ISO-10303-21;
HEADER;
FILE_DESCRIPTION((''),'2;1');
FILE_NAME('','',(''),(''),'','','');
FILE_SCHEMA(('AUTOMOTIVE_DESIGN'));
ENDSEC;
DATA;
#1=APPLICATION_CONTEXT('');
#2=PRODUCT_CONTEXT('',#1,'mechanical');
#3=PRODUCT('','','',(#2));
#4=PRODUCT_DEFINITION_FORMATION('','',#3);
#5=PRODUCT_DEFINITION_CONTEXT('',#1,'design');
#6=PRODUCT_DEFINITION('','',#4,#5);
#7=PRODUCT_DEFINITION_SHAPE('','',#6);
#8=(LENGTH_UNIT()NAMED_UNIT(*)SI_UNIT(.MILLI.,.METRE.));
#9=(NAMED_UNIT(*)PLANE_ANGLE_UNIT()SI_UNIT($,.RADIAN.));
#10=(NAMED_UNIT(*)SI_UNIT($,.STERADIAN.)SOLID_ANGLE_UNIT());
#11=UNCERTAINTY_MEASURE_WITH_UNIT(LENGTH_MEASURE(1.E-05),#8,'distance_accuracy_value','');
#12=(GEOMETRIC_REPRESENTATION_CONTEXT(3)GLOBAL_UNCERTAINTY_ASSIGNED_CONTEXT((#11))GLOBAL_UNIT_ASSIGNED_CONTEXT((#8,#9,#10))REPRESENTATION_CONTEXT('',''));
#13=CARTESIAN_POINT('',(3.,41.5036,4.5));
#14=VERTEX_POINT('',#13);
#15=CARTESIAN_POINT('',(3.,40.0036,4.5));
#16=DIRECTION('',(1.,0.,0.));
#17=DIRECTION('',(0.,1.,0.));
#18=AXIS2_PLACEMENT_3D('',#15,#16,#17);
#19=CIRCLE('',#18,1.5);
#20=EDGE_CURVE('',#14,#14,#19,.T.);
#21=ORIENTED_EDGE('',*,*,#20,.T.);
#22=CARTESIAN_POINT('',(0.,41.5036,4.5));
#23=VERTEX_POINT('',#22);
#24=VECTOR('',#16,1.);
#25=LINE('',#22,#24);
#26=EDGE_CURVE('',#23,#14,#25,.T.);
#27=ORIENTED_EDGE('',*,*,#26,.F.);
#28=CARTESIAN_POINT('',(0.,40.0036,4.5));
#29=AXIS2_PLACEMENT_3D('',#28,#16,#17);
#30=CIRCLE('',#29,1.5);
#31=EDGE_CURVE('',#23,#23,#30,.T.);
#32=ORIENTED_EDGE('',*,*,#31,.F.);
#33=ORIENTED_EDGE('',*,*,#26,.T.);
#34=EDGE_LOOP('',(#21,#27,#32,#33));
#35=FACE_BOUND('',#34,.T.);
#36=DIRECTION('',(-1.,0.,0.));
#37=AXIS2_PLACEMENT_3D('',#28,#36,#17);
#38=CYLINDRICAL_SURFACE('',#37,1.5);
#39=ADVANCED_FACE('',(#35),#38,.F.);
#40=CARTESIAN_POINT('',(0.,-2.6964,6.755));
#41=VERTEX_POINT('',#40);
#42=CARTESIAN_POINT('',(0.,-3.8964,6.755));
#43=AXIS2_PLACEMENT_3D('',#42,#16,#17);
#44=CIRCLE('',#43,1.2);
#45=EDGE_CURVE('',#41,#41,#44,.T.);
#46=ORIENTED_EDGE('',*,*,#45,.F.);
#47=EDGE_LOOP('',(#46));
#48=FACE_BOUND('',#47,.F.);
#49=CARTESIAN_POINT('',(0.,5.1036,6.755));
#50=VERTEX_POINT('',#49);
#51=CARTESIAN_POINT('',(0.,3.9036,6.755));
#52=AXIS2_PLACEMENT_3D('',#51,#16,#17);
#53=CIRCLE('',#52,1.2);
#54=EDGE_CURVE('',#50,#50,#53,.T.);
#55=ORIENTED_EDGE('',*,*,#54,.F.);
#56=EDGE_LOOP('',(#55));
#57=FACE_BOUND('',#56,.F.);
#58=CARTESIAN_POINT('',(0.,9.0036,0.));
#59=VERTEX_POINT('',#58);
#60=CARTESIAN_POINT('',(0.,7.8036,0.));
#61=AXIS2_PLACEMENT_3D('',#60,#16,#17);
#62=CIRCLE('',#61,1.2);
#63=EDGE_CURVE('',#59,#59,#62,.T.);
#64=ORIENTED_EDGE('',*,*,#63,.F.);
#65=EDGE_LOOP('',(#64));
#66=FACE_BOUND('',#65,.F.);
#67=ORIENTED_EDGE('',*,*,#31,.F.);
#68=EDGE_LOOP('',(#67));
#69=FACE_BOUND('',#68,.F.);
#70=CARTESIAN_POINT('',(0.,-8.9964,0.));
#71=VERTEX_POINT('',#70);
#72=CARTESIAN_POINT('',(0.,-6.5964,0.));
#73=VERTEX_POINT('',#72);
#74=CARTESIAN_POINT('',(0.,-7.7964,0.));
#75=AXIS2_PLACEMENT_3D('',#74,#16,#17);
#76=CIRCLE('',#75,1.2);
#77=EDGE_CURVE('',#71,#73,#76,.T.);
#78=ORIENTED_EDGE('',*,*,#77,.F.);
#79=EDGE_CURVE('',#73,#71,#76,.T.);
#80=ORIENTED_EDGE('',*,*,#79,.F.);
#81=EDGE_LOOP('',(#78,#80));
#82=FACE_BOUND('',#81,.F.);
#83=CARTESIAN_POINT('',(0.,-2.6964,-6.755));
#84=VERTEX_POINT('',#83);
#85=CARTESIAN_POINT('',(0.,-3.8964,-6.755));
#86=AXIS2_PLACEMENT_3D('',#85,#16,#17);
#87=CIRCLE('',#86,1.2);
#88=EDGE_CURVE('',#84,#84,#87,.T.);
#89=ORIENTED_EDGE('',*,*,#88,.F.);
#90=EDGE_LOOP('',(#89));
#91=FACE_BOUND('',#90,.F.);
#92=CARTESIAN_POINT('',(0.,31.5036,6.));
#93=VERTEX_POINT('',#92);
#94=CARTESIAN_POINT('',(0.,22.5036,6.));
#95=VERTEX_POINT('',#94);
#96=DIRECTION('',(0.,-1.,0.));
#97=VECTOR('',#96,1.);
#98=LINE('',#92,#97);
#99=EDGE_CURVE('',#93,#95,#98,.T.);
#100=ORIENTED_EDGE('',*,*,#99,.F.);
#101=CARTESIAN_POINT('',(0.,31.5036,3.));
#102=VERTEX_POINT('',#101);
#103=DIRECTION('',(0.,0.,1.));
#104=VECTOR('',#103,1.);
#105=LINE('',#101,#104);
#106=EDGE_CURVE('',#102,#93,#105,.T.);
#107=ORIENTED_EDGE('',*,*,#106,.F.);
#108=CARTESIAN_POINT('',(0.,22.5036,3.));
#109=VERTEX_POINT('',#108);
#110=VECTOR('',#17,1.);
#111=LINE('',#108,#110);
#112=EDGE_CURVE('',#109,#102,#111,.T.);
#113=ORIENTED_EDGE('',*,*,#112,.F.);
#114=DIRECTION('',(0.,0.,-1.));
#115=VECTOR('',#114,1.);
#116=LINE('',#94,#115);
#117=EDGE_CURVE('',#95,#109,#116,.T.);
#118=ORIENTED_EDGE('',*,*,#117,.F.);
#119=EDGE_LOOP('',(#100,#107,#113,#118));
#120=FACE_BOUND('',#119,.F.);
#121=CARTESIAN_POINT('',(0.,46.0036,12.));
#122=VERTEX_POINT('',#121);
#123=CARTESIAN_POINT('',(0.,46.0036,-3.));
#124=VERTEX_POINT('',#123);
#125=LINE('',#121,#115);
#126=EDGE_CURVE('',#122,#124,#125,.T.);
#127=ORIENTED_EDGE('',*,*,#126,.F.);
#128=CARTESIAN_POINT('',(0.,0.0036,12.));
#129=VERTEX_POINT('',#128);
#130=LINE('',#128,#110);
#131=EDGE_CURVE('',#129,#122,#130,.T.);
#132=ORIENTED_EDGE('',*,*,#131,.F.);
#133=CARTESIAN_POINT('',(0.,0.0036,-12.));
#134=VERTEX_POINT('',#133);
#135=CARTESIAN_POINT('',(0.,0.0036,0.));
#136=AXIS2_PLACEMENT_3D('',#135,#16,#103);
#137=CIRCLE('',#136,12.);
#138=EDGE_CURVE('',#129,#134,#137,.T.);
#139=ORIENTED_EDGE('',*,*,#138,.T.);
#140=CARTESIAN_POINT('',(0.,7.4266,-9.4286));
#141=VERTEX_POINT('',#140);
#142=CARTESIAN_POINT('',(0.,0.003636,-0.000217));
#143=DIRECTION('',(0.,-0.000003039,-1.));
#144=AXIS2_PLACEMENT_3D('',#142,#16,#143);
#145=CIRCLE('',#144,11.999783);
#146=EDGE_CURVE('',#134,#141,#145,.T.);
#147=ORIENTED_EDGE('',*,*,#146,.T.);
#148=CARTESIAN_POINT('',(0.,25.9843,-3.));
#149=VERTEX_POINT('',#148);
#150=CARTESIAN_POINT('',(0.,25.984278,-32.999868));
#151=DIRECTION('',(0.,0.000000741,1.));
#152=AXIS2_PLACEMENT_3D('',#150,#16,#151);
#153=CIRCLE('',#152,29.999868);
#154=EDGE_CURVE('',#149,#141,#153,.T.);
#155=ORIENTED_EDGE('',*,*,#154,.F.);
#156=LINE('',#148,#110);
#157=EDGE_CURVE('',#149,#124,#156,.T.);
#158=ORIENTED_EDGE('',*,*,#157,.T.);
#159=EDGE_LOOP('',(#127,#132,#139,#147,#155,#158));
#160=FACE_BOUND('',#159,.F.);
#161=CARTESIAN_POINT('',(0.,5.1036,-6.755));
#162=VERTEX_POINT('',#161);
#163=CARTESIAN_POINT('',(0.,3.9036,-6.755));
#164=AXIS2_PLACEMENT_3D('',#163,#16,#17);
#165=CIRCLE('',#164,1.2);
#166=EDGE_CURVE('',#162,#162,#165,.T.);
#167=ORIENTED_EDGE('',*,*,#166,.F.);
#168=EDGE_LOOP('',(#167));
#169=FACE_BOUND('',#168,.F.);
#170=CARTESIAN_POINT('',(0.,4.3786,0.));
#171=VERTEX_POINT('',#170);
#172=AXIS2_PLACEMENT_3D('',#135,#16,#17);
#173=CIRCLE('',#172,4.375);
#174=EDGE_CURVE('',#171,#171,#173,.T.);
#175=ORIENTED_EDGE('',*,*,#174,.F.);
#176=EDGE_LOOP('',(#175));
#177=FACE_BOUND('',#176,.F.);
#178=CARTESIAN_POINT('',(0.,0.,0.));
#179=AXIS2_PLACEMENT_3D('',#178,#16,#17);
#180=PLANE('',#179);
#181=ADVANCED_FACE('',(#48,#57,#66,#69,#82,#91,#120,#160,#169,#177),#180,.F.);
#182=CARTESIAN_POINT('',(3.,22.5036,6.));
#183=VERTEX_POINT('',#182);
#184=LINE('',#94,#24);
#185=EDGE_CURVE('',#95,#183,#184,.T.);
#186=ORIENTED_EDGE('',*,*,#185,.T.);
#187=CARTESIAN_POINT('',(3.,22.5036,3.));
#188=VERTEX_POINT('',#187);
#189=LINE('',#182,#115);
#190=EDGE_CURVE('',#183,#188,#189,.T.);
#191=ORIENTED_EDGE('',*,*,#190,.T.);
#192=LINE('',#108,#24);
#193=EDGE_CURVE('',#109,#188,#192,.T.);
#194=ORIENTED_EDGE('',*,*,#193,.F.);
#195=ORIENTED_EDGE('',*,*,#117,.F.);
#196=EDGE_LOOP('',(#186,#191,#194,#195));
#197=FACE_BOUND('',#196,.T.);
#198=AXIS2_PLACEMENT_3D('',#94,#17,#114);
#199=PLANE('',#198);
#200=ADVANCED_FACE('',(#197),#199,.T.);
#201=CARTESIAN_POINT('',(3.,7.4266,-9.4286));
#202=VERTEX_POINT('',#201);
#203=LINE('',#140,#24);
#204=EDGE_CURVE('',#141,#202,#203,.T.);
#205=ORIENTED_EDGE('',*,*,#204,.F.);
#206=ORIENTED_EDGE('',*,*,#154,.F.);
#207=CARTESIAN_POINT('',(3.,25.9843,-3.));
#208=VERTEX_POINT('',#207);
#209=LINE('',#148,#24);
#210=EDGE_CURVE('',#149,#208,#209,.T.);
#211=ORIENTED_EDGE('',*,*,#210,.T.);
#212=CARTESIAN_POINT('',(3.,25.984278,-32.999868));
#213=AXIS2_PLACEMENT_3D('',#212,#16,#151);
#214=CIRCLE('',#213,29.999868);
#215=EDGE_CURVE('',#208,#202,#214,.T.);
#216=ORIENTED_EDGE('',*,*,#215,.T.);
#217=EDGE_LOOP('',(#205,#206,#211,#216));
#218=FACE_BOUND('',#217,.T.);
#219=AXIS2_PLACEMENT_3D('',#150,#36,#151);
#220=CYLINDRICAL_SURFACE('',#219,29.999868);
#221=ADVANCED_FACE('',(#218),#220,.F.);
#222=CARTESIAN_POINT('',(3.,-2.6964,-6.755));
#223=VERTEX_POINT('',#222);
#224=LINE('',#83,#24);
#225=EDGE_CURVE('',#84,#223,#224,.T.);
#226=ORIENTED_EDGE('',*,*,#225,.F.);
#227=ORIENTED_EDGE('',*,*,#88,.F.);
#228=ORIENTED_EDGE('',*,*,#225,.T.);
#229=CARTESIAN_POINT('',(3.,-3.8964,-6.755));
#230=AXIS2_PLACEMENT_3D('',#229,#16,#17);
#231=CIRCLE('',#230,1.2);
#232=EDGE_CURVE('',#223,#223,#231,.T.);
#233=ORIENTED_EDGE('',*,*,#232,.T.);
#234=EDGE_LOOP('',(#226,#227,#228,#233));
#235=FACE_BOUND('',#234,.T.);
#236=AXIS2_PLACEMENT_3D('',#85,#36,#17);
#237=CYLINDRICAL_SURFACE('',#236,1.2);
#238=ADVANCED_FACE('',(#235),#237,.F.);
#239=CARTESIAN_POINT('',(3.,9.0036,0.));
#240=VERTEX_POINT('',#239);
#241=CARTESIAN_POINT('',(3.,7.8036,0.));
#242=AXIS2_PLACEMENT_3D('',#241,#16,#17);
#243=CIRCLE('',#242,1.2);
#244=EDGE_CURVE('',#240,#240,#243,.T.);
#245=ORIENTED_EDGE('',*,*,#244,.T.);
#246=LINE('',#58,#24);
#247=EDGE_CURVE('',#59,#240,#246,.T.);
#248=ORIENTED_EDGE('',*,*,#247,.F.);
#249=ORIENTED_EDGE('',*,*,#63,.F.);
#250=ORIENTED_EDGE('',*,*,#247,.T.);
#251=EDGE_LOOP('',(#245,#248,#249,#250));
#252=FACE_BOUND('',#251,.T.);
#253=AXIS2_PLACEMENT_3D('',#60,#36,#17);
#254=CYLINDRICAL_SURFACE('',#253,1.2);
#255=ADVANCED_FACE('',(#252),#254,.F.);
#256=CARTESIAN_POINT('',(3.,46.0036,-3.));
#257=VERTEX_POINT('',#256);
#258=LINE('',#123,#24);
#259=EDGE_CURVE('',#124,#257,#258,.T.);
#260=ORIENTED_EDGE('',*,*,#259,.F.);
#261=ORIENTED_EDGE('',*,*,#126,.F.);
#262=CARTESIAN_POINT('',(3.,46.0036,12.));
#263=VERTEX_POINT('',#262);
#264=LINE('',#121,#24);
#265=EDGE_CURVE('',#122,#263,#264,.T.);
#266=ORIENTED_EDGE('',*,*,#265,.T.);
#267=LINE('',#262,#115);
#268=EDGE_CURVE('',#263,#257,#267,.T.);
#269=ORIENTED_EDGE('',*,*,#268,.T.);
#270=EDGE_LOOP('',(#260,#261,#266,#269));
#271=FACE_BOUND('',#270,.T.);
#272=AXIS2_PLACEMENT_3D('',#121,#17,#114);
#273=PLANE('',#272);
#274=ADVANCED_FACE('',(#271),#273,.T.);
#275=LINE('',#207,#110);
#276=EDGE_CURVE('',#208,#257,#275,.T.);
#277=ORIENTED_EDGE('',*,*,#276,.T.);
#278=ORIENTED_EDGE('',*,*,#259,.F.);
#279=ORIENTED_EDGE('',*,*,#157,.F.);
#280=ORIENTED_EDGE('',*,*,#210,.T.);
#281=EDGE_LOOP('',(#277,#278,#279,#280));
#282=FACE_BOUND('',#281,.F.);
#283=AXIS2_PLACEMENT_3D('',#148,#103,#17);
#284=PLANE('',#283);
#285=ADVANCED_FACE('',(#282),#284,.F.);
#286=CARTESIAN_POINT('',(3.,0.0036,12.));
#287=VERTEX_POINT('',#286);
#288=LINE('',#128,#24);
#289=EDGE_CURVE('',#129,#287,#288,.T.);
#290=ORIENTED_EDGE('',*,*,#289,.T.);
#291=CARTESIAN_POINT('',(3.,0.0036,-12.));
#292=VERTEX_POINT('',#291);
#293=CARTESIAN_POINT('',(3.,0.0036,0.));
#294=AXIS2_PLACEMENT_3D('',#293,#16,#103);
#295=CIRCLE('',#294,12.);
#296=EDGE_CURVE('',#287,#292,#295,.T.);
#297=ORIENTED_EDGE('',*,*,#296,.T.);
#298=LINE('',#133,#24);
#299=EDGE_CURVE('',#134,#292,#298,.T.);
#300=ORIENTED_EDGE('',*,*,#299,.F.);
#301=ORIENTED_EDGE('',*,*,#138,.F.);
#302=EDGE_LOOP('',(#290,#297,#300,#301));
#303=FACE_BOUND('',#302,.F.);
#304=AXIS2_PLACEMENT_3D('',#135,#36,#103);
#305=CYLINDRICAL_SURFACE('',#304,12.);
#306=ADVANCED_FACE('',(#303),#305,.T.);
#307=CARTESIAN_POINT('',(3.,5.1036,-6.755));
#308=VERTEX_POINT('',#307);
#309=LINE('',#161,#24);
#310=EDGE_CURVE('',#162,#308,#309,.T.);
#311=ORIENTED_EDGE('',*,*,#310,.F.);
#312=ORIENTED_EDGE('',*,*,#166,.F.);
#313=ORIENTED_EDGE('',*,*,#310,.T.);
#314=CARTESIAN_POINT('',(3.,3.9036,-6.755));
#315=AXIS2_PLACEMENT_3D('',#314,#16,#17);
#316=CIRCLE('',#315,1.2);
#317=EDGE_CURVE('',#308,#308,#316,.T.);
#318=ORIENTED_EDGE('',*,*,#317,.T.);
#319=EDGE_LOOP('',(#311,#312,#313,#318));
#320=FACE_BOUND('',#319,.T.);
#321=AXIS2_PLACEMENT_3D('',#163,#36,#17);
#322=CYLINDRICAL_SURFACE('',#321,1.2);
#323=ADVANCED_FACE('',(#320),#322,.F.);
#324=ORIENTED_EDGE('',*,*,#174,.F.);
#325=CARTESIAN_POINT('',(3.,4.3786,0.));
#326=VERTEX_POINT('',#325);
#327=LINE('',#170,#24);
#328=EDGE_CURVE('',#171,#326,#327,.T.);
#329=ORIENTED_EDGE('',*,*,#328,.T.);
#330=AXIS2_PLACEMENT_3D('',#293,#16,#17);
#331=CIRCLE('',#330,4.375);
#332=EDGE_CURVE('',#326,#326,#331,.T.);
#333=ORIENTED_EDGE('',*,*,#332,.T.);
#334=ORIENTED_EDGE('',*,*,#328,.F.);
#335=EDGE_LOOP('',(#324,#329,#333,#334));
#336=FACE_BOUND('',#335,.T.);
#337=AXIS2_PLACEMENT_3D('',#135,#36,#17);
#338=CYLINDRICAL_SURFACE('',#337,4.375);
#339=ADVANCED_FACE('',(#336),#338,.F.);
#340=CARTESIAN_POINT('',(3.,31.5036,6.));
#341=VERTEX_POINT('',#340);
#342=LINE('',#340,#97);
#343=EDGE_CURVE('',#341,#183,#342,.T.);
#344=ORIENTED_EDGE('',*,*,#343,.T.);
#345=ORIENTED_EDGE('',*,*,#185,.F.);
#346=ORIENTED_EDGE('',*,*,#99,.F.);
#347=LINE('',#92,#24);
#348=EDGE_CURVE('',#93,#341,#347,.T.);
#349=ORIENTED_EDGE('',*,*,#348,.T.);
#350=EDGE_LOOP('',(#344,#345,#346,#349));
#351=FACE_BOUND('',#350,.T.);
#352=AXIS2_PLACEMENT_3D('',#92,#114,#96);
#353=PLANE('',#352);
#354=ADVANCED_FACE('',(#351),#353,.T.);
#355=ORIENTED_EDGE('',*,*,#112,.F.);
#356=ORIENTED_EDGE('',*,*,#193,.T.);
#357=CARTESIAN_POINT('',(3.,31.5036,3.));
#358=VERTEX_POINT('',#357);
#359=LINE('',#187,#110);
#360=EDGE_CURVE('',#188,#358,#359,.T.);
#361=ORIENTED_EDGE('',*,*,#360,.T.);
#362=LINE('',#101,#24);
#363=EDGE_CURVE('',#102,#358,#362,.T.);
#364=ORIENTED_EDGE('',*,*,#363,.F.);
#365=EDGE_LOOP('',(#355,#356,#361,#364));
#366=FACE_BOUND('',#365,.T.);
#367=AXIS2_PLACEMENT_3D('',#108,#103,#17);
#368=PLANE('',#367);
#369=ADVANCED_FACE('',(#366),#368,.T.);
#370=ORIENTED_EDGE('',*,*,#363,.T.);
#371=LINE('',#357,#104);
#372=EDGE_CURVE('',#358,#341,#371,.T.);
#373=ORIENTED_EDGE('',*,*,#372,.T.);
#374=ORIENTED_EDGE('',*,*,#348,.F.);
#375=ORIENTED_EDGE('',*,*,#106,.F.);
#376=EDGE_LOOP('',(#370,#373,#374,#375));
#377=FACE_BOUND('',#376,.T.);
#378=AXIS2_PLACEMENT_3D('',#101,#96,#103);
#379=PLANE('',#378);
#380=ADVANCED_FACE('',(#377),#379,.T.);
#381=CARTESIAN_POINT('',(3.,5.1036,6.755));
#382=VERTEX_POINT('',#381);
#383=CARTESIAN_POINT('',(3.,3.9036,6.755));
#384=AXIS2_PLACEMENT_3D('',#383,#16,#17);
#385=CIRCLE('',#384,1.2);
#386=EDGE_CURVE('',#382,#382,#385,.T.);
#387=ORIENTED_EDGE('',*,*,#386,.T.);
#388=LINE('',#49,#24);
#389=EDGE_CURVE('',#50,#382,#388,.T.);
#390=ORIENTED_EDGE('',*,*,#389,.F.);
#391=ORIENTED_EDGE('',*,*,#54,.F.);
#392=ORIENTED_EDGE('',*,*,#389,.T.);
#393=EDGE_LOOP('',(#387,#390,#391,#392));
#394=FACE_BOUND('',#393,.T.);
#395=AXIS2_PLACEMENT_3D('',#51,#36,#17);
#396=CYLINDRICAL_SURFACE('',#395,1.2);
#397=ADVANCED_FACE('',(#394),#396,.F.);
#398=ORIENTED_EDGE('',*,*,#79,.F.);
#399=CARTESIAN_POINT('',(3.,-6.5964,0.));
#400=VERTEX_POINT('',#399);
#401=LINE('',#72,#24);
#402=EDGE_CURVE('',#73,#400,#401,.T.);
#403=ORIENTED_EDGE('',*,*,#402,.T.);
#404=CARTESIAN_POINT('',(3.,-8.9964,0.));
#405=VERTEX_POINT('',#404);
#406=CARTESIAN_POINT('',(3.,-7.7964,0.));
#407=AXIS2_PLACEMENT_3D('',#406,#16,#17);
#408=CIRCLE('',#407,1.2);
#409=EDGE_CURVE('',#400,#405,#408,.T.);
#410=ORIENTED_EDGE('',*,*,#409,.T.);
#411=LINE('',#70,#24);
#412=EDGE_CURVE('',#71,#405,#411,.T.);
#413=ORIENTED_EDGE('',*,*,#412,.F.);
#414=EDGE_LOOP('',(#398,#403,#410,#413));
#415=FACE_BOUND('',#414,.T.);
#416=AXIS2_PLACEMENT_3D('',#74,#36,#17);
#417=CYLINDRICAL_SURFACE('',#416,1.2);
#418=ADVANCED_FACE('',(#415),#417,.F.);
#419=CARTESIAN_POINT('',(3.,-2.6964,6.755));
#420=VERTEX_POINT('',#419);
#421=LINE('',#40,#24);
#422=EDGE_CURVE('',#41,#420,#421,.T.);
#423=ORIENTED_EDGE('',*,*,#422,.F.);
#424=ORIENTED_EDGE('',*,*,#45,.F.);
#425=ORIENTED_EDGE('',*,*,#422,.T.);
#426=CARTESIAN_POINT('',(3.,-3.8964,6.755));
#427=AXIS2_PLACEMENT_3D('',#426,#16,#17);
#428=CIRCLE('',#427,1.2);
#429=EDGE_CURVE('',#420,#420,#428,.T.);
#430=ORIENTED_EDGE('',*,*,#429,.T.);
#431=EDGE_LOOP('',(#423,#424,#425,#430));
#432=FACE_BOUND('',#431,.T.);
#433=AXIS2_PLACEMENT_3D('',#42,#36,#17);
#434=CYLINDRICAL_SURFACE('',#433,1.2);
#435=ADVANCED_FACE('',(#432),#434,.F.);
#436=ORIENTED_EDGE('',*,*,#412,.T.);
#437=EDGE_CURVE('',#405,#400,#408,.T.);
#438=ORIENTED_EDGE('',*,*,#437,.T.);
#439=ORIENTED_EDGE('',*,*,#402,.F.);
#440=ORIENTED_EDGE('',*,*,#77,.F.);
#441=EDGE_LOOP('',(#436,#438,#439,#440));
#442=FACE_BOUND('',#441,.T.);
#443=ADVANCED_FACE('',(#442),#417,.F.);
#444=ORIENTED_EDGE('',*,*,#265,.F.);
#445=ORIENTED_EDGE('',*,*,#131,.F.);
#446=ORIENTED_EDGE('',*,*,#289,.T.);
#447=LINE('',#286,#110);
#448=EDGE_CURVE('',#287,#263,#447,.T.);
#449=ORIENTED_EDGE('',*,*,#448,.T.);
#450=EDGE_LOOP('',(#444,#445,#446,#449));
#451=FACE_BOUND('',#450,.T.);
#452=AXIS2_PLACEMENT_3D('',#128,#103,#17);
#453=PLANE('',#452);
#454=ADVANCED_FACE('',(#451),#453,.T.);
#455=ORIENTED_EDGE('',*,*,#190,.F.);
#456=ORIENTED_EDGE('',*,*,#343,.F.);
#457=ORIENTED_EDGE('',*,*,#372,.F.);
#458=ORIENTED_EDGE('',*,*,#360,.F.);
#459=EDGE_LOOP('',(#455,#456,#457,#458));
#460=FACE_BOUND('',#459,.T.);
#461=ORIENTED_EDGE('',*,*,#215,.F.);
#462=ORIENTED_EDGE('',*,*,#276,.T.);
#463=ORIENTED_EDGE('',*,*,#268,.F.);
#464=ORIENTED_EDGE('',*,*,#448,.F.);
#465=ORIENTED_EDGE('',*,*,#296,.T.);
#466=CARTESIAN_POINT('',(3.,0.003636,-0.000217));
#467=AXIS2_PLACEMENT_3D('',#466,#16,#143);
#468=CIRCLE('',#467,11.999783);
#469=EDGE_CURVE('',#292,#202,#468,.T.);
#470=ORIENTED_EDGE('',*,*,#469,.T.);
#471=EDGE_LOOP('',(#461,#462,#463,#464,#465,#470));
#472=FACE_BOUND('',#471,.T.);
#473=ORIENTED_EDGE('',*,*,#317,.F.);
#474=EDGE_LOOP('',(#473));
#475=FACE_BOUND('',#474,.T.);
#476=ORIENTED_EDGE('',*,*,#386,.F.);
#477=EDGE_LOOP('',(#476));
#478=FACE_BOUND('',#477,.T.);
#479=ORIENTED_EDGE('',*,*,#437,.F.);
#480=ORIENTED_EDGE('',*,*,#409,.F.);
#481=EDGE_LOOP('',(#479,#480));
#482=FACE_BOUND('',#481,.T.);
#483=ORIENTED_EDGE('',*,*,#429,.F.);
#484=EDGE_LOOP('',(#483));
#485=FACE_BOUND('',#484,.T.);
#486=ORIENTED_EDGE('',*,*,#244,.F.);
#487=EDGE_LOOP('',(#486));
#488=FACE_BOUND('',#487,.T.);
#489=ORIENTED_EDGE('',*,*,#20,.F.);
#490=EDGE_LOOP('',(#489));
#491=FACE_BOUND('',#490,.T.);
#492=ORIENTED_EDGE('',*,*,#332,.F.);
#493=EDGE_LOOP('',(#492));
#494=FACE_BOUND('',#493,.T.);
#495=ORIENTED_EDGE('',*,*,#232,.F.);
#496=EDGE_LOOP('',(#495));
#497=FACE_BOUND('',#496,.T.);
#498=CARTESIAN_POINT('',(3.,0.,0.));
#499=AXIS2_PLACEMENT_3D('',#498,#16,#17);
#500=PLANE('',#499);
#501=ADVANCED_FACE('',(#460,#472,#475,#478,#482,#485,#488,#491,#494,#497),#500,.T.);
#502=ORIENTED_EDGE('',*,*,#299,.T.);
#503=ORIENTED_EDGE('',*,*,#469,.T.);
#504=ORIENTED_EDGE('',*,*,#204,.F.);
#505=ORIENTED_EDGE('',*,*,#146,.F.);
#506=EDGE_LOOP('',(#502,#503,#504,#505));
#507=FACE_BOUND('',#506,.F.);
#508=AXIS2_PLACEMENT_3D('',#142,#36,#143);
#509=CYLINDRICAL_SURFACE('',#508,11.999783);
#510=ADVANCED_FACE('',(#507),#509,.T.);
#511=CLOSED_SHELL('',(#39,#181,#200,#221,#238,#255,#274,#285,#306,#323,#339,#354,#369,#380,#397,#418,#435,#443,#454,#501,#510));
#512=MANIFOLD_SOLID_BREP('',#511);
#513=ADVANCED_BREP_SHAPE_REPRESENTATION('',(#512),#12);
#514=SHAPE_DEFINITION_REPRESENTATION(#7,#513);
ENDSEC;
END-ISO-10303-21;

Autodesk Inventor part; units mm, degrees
ref_plane "YZ Plane" through (0, 0, 0) normal (1, 0, 0) x (0, 1, 0)
ref_plane "XZ Plane" through (0, 0, 0) normal (0, 1, 0) x (-1, 0, 0)
ref_plane "XY Plane" through (0, 0, 0) normal (0, 0, 1) x (1, 0, 0)
sketch "Sketch1" plane through (0, 0, 0) normal (1, 0, 0) x (0, 1, 0)
  arc A0 (0.0036, 12) -> (0.0036, -12) centre (0.0036, 0) ccw
  circle A1 centre (0.0036, 0) radius 4.375
  circle A2 centre (0.0036, 0) radius 9 construction
  line L0 (-11.9964, 0) -> (0.0036, 0) construction
  line L1 (-8.9964, 0) -> (-7.7964, 0)
  circle A3 centre (-7.7964, 0) radius 1.2
  circle A4 centre (-3.8964, -6.755) radius 1.2
  circle A5 centre (3.9036, -6.755) radius 1.2
  circle A6 centre (7.8036, 0) radius 1.2
  circle A7 centre (3.9036, 6.755) radius 1.2
  circle A8 centre (-3.8964, 6.755) radius 1.2
  line L2 (-11.9964, 0) -> (33.0036, 0) construction
  line L3 (-11.9964, 37.6945) -> (46.0036, 37.6945) construction
  line L4 (0.0036, 12) -> (46.0036, 12)
  line L5 (46.0036, 12) -> (46.0036, -3)
  arc A9 (0.0036, -12) -> (7.4266, -9.4286) centre (0.0036, 0) ccw
  arc A10 (25.9843, -3) -> (7.4266, -9.4286) centre (25.9843, -33) ccw
  line L6 (25.9843, -3) -> (46.0036, -3)
  circle A11 centre (40.0036, 4.5) radius 1.5
  line L7 (31.5036, 6) -> (22.5036, 6)
  line L8 (22.5036, 6) -> (22.5036, 3)
  line L9 (22.5036, 3) -> (31.5036, 3)
  line L10 (31.5036, 3) -> (31.5036, 6)
  point P0 (1.5, 26.1095)
  point P1 (22.5, 26.1095)
  point P2 (-4.4964, -7.7942)
  point P3 (4.5036, -7.7942)
  point P4 (9.0036, 0)
  point P5 (4.5036, 7.7942)
  point P6 (-4.4964, 7.7942)
  point P7 (11.6225, -3)
  dimension "d4" = 18
  dimension "d2" = 24
  dimension "d3" = 8.75
  dimension "d5" = 1.2
  dimension "d7" = 360
  dimension "d8" = 45
  dimension "d12" = 12
  dimension "d15" = 58
  dimension "d16" = 15
  dimension "d18" = 30
  dimension "d22" = 3
  dimension "d23" = 6
  dimension "d28" = 7.5
  dimension "d29" = 15
  dimension "d31" = 9
  dimension "d32" = 3
  dimension "d33" = 12
extrude "Extrusion1" add sketch "Sketch1" along normal blind 3
properties part number "Brazo3"
